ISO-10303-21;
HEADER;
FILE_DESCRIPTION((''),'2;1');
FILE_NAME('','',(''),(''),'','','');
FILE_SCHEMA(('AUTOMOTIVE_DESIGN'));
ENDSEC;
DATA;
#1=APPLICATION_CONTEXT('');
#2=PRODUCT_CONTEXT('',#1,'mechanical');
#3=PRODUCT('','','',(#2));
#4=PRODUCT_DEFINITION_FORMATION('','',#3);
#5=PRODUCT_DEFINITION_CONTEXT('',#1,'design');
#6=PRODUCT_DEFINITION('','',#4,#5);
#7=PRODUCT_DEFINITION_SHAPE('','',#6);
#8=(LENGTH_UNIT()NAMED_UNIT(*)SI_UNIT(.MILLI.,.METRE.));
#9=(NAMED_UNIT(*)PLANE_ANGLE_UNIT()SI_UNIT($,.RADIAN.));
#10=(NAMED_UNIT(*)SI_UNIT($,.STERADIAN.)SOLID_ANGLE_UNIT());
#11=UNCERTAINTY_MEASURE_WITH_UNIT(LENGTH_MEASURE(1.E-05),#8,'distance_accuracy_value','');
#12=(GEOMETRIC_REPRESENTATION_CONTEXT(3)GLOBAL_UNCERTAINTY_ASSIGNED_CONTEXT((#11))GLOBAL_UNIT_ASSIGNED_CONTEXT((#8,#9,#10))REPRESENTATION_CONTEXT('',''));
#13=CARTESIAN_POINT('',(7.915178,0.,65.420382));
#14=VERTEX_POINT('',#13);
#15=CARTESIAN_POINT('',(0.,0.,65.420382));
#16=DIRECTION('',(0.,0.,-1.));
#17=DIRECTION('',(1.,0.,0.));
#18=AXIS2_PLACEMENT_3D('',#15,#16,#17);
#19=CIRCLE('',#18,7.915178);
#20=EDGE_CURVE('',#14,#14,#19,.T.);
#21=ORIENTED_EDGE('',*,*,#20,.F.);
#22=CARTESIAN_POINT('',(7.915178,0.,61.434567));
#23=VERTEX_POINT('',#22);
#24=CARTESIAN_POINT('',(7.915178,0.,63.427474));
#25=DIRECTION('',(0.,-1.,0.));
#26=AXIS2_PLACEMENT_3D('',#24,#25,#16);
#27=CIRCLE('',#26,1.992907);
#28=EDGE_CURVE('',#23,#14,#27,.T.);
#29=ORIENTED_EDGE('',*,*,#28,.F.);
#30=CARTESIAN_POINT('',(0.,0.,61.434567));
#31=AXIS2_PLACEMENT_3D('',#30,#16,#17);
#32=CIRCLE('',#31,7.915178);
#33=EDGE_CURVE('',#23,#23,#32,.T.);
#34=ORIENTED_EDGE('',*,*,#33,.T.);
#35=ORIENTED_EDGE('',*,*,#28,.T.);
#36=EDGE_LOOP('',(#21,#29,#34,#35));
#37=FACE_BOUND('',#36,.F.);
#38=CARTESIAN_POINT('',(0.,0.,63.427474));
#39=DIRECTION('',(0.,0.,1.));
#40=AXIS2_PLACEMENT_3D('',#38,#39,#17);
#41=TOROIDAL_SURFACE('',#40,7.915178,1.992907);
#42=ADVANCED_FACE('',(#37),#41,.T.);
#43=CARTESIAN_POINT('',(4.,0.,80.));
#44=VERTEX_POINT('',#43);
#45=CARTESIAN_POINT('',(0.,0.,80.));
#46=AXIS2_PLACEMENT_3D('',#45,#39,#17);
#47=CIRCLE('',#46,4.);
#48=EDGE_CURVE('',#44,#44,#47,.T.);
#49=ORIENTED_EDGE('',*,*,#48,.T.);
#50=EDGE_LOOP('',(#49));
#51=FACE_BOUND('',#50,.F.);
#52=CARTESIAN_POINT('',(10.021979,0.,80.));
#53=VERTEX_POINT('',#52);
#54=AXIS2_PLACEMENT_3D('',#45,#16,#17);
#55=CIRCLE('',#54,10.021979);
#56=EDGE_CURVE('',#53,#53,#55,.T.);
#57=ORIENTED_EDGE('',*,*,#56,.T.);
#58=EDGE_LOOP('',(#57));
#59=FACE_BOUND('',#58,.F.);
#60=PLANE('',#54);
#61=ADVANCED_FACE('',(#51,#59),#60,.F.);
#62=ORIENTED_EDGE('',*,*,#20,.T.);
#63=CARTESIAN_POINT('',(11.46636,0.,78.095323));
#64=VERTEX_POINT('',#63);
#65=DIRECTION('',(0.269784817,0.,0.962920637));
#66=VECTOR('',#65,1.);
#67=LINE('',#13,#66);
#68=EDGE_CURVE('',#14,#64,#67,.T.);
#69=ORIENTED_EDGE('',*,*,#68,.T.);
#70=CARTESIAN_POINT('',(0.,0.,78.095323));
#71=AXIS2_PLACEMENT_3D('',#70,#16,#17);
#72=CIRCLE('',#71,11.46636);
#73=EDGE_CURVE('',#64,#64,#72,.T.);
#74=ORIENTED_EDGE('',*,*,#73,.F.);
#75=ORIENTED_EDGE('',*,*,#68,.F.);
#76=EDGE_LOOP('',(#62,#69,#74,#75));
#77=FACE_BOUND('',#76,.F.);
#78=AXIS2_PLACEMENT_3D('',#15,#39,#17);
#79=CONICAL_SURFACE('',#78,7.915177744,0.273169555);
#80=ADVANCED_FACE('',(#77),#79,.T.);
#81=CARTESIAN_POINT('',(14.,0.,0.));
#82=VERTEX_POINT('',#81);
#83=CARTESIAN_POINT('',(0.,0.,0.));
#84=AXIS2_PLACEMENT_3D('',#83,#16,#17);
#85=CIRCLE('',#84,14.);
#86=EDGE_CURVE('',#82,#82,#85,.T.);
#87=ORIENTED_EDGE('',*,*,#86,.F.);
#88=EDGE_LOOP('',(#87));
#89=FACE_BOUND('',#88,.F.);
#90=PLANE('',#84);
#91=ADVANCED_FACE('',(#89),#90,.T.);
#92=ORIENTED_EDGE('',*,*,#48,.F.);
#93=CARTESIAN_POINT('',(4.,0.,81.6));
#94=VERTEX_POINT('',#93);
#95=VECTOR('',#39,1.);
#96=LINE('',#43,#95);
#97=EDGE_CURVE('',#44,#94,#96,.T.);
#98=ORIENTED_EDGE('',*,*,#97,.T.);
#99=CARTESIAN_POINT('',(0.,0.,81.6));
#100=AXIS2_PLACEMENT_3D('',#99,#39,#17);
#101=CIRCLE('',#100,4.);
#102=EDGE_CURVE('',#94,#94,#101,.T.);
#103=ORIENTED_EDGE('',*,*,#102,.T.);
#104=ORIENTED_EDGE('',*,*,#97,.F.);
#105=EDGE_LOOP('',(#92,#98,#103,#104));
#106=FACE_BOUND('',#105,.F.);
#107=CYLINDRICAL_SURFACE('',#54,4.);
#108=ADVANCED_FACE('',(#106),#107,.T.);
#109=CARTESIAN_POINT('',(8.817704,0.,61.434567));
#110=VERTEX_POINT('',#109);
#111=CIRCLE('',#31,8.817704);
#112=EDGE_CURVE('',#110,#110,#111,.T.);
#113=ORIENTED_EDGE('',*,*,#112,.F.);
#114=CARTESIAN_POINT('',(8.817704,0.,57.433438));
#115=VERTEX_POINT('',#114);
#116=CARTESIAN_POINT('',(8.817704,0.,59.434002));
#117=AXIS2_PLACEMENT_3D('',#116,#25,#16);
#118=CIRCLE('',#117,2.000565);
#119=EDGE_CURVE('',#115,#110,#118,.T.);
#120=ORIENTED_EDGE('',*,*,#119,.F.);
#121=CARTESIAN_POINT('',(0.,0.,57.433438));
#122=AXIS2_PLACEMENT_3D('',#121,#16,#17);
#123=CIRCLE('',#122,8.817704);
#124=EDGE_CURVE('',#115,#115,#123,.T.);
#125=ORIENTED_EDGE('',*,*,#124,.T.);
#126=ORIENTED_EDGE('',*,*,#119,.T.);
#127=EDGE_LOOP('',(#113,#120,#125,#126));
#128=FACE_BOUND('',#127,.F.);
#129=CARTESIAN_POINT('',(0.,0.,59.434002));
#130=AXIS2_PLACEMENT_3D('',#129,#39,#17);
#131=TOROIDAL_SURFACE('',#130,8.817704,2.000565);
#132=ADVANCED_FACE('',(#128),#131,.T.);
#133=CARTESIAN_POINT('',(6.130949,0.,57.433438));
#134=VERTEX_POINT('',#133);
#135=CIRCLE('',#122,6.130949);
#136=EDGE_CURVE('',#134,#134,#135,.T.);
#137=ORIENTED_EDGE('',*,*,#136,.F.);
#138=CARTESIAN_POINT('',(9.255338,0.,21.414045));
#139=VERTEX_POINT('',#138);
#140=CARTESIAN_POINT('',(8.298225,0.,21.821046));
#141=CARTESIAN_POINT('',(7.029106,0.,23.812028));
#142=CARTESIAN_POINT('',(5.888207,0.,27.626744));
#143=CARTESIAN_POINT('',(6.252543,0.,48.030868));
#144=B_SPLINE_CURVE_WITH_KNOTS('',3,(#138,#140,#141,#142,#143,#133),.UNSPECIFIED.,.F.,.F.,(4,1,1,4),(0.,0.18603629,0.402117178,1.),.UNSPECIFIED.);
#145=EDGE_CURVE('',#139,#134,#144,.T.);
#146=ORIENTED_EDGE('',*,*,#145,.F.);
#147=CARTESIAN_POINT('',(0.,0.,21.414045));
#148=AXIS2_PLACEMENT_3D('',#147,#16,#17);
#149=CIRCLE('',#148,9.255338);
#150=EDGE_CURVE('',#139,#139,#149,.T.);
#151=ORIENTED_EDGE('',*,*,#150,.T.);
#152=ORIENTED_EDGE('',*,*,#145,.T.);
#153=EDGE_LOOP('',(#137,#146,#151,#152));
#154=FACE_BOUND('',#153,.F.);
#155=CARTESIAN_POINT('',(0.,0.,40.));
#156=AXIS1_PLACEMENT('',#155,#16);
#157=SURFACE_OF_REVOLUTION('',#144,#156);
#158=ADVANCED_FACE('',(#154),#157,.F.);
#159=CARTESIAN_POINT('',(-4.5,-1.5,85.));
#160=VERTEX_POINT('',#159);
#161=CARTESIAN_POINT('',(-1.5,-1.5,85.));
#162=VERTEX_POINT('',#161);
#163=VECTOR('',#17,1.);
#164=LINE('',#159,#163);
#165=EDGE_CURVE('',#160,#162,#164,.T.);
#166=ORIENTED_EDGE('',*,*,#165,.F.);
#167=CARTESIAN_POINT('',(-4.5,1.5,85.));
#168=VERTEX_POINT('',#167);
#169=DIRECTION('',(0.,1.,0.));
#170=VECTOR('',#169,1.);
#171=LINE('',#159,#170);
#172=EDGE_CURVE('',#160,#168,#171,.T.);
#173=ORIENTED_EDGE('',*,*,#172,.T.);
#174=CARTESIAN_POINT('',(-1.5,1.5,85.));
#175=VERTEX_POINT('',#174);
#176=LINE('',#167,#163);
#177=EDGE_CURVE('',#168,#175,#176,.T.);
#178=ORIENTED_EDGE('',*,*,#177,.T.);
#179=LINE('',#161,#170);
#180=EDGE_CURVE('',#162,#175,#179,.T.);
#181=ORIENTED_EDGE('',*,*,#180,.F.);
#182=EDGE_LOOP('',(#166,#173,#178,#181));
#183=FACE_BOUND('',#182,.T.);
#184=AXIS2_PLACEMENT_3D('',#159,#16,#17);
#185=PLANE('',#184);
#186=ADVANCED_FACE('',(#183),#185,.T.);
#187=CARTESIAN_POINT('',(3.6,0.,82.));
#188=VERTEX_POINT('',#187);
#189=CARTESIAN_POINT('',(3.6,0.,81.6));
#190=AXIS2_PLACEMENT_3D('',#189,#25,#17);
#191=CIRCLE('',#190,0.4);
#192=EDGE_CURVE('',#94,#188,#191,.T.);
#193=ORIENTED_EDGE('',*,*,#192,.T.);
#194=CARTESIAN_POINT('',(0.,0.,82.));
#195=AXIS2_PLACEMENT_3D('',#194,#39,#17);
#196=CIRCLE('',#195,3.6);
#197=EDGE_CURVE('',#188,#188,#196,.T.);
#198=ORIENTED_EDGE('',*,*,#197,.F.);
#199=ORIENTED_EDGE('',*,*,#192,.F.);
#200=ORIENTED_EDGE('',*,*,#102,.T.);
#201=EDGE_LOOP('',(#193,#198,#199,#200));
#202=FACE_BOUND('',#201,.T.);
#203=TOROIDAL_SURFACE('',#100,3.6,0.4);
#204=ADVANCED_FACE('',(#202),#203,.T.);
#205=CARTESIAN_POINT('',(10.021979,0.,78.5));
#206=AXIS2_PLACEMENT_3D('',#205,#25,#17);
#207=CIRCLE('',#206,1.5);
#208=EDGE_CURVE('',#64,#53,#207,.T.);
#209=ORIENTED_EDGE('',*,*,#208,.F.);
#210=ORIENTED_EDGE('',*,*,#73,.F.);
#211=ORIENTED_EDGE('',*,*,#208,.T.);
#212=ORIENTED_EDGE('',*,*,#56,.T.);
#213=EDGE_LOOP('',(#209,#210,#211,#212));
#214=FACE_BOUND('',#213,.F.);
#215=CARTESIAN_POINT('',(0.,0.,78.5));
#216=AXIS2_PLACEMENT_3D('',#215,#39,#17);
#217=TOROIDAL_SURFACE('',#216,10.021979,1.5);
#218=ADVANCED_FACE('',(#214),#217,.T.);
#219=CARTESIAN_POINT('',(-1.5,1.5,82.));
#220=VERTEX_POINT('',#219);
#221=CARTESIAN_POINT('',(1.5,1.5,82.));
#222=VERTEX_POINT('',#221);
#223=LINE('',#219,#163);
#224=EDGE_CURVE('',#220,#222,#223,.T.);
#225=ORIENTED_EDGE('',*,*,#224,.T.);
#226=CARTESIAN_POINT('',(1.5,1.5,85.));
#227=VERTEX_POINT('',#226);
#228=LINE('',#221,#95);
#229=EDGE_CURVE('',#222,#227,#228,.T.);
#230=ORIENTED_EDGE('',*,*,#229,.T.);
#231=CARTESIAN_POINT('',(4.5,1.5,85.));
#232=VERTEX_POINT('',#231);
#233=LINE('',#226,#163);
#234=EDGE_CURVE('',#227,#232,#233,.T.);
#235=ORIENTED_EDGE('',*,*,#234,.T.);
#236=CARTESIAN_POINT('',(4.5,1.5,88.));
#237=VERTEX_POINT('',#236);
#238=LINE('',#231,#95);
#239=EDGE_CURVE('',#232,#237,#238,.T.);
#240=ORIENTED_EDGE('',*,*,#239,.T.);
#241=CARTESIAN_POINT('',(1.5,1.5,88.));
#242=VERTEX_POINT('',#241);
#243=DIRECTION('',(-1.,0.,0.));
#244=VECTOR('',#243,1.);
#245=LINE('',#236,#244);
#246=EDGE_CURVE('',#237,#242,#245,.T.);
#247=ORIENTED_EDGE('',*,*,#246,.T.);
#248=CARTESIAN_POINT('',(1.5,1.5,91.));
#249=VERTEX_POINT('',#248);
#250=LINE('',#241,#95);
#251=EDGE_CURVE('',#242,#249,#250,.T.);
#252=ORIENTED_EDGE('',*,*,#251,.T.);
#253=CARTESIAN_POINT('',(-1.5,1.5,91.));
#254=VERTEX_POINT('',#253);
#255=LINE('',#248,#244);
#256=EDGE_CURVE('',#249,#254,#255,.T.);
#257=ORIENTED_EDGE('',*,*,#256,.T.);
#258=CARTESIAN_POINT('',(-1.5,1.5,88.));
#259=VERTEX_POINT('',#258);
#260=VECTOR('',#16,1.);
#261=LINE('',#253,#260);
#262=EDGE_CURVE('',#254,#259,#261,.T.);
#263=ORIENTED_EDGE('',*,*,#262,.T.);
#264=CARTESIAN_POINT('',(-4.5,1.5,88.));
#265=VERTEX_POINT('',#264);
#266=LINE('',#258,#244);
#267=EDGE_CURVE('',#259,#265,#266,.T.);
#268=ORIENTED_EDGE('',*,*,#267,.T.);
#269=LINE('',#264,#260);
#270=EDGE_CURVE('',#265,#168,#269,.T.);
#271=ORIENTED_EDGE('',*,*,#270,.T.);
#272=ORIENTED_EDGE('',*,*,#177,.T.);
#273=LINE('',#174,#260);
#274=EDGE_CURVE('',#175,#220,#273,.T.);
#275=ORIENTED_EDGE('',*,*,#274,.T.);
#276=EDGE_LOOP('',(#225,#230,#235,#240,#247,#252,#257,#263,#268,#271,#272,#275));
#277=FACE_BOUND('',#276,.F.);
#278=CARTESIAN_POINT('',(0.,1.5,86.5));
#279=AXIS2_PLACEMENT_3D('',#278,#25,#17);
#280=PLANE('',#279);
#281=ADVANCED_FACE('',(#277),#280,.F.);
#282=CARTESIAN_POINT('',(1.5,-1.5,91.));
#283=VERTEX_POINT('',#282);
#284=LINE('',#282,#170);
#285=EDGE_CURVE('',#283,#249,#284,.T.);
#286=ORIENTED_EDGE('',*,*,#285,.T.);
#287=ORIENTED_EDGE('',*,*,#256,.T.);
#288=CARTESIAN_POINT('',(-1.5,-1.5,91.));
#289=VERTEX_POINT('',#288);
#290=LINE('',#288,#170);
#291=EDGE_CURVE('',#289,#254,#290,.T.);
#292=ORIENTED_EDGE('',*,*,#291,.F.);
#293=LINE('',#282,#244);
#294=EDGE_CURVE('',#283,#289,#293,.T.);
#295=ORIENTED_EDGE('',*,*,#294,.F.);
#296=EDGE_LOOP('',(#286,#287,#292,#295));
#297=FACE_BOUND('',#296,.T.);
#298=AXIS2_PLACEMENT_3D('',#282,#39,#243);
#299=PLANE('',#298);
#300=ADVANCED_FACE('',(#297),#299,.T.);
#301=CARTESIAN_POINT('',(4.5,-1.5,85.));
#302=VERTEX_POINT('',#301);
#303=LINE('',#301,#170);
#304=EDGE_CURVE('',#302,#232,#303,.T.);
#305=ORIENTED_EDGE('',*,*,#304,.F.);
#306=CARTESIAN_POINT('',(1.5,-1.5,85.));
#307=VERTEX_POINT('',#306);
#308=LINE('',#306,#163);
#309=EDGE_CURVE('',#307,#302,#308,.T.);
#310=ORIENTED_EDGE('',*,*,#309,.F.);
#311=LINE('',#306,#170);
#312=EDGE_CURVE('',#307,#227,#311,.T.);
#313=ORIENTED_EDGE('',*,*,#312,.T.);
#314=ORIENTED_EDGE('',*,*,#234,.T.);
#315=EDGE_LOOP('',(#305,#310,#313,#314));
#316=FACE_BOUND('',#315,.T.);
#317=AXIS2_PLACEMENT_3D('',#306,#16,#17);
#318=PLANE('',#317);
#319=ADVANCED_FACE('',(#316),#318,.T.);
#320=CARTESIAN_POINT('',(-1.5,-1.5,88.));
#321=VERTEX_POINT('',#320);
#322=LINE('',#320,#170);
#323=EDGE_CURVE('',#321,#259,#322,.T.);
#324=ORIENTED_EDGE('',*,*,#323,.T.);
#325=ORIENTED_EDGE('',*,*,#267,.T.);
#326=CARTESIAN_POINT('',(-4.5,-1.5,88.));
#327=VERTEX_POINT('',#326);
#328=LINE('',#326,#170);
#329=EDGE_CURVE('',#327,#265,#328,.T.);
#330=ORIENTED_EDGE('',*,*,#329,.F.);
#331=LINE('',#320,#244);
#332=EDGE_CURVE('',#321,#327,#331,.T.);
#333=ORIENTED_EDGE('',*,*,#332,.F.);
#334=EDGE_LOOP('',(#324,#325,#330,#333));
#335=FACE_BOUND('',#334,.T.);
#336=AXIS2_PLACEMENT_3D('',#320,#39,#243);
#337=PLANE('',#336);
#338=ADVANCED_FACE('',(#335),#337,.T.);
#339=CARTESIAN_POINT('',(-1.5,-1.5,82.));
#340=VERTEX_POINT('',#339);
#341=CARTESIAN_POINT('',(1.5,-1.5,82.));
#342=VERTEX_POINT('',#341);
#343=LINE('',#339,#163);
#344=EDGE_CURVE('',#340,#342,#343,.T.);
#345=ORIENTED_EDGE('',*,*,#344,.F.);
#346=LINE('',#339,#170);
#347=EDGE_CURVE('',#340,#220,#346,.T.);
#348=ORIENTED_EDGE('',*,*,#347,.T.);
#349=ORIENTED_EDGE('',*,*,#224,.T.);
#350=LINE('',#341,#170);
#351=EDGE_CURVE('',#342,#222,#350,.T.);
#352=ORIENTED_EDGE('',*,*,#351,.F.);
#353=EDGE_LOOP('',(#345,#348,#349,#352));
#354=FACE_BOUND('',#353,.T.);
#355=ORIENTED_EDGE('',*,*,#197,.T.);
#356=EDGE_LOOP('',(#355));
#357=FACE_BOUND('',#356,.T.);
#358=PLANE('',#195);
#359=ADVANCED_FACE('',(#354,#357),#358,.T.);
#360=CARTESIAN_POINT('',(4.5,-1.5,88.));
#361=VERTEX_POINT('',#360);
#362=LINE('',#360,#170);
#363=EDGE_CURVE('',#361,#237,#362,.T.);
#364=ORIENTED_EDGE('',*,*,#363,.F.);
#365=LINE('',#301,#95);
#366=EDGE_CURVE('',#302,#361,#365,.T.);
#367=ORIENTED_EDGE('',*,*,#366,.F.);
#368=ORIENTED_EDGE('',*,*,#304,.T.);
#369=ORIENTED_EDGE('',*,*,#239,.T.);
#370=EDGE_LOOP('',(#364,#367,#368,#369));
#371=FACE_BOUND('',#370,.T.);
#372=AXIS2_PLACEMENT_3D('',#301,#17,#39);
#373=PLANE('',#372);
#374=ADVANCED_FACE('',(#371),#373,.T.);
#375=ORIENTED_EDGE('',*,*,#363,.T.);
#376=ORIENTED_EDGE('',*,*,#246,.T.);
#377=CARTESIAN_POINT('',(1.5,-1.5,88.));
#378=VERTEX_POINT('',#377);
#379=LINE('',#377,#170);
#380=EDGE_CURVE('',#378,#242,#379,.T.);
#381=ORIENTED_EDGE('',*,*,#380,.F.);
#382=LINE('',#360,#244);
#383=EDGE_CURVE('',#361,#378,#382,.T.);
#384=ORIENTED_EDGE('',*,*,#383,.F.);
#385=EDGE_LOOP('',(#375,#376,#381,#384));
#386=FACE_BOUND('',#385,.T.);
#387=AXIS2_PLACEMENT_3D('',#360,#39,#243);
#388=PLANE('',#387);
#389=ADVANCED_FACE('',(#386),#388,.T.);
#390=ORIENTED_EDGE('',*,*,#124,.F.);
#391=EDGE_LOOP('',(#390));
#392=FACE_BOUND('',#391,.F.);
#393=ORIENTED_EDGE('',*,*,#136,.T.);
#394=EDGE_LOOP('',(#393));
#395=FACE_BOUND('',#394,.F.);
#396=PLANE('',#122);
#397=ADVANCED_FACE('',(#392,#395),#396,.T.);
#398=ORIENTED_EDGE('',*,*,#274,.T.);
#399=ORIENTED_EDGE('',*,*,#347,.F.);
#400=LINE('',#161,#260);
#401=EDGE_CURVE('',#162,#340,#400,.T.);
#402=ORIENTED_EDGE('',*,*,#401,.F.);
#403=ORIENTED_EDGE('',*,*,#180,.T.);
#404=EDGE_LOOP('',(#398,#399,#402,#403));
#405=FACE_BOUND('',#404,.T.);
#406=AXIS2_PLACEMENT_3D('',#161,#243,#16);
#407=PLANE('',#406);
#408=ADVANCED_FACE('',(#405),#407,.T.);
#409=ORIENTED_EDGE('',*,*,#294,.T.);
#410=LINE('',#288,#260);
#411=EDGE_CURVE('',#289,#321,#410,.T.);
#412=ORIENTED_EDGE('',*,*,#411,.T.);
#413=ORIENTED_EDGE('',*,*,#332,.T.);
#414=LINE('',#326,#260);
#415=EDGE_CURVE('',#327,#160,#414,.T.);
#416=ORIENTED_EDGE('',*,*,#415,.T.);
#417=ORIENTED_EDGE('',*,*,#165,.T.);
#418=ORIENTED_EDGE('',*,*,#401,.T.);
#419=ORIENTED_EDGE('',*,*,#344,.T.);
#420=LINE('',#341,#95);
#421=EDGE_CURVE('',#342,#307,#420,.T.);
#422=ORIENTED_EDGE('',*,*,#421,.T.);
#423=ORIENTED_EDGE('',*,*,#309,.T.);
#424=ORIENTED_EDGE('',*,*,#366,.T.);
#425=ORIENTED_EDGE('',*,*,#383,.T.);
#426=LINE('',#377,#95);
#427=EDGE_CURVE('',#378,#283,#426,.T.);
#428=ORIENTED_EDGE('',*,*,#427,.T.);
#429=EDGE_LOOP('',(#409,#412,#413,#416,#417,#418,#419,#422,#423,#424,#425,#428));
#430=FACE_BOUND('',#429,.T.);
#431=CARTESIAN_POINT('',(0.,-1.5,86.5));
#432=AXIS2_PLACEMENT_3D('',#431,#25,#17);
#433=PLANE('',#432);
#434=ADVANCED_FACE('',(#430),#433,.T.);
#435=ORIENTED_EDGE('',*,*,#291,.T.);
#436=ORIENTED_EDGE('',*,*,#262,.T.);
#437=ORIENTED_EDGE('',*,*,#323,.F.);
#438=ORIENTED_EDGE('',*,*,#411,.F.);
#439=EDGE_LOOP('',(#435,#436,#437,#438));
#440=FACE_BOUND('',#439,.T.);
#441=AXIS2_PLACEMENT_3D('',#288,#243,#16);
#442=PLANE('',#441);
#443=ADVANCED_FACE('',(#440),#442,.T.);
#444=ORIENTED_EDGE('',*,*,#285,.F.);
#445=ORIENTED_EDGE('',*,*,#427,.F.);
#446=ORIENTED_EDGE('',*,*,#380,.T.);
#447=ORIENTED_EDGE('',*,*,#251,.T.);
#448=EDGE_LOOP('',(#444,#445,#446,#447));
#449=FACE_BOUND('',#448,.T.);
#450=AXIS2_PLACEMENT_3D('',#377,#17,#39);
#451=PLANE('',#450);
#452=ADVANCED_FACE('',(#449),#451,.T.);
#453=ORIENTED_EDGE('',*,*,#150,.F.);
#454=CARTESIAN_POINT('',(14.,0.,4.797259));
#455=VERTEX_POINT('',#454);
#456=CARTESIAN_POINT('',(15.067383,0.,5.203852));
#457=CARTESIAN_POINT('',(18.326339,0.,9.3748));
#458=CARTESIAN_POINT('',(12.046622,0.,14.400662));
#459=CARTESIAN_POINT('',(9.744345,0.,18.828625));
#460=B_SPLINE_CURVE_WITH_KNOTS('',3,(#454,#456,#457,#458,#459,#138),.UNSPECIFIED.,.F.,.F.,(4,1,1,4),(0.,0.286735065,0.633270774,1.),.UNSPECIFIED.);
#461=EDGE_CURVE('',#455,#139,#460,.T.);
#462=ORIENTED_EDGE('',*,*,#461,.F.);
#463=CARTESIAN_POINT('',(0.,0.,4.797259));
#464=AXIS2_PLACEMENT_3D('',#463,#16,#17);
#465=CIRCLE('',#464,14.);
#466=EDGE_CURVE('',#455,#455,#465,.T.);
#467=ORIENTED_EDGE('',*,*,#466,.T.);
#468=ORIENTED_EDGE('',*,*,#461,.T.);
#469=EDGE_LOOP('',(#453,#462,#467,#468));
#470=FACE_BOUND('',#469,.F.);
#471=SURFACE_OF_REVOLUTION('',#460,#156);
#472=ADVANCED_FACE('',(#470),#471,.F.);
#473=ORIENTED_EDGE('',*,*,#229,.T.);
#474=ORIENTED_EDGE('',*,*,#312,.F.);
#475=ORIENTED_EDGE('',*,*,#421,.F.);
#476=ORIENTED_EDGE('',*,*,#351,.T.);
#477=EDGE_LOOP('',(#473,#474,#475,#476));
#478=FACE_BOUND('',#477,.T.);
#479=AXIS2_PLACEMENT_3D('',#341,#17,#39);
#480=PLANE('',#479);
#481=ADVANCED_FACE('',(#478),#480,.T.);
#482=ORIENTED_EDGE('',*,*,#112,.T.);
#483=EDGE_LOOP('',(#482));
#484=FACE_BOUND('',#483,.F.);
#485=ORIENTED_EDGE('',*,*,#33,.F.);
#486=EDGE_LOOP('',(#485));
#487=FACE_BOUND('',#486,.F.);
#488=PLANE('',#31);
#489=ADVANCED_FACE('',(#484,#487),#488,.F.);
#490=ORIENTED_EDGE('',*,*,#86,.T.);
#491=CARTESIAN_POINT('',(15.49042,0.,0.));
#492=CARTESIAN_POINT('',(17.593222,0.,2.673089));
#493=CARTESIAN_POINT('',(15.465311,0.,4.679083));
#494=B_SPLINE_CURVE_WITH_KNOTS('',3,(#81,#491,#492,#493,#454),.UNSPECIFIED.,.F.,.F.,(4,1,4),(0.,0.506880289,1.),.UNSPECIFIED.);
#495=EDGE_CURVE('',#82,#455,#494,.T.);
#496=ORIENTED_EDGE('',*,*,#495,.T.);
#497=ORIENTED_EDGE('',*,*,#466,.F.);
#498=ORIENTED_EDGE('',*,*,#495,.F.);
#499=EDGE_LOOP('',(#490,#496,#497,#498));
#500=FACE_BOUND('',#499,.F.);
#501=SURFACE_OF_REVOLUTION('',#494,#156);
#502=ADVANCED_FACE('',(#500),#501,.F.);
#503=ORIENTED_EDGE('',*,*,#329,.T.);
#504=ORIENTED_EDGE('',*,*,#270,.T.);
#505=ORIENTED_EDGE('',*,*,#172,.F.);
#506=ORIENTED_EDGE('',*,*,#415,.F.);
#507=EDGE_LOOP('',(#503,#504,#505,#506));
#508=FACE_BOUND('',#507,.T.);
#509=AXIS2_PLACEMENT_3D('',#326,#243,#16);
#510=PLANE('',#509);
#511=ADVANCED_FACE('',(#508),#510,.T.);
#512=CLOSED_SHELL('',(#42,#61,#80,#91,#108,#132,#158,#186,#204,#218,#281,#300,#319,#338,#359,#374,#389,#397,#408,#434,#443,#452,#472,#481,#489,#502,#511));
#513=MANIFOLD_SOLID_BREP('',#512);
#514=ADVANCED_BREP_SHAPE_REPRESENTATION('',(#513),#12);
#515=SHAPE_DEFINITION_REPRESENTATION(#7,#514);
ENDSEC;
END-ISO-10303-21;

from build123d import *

# Parameters (mm, degrees)
F2_R      = 1.5
F4_R      = 4
F5_DEPTH  = 2
F10_DEPTH = 3
F11_R     = 0.4


with BuildPart() as f1:
    # F0 (on Front) → F1 (revolve)
    with BuildSketch(Plane.XZ):
        with BuildLine():
            Line((0, 80), (0, 0))
            Line((0, 0), (14, 0))
            add(Edge.make_bspline(
                [(14, 0), (15.4904196, 0), (17.5932216347, 2.6730890358), (15.4653107602, 4.6790827669), (14, 4.7972590347)],
                knots=[0, 0, 0, 0, 0.5068802887, 1, 1, 1, 1], degree=3))
            add(Edge.make_bspline(
                [(14, 4.7972590347), (15.0673829495, 5.2038515038), (18.3263386337, 9.3748002384), (12.0466218537, 14.400661765), (9.744344858, 18.8286250546), (9.2553384602, 21.4140452445)],
                knots=[0, 0, 0, 0, 0.2867350648, 0.6332707743, 1, 1, 1, 1], degree=3))
            add(Edge.make_bspline(
                [(9.2553384602, 21.4140452445), (8.2982252482, 21.8210460844), (7.0291055435, 23.8120283993), (5.8882068574, 27.6267435886), (6.2525426038, 48.0308681726), (6.1309494898, 57.433437556)],
                knots=[0, 0, 0, 0, 0.1860362898, 0.4021171777, 1, 1, 1, 1], degree=3))
            Line((6.1309494898, 57.433437556), (8.8177042902, 57.433437556))
            ThreePointArc((8.8177042902, 57.433437556), (10.8182689995, 59.4340022653), (8.8177042902, 61.4345669746))
            Line((8.8177042902, 61.4345669746), (7.9151777439, 61.4345669746))
            ThreePointArc((7.9151777439, 61.4345669746), (9.908085119, 63.4274743497), (7.9151777439, 65.4203817248))
            Line((7.9151777439, 65.4203817248), (12, 80))
            Line((12, 80), (0, 80))
        make_face()
    revolve(axis=Axis((0, 0, 40), (0, 0, -1)))

    # F2
    f2_edges = [f1.edges().sort_by_distance(p)[0] for p in [
        (-12, 0, 80),
    ]]
    fillet(f2_edges, radius=F2_R)

    # F4 (on offset) → F5 (join)
    with BuildSketch(Plane.XY.offset(80)):
        Circle(F4_R)
    extrude(amount=F5_DEPTH)

    # F9 (on offset) → F10 (join)
    with BuildSketch(Plane.XZ.offset(1.5)):
        Polygon((-1.5, 85), (-1.5, 82), (1.5, 82), (1.5, 85), (4.5, 85), (4.5, 88), (1.5, 88), (1.5, 91), (-1.5, 91), (-1.5, 88), (-4.5, 88), (-4.5, 85), align=None)
    extrude(amount=-F10_DEPTH)

    # F11
    f11_edges = [f1.edges().sort_by_distance(p)[0] for p in [
        (-4, 0, 82),
    ]]
    fillet(f11_edges, radius=F11_R)


solid = f1.part
